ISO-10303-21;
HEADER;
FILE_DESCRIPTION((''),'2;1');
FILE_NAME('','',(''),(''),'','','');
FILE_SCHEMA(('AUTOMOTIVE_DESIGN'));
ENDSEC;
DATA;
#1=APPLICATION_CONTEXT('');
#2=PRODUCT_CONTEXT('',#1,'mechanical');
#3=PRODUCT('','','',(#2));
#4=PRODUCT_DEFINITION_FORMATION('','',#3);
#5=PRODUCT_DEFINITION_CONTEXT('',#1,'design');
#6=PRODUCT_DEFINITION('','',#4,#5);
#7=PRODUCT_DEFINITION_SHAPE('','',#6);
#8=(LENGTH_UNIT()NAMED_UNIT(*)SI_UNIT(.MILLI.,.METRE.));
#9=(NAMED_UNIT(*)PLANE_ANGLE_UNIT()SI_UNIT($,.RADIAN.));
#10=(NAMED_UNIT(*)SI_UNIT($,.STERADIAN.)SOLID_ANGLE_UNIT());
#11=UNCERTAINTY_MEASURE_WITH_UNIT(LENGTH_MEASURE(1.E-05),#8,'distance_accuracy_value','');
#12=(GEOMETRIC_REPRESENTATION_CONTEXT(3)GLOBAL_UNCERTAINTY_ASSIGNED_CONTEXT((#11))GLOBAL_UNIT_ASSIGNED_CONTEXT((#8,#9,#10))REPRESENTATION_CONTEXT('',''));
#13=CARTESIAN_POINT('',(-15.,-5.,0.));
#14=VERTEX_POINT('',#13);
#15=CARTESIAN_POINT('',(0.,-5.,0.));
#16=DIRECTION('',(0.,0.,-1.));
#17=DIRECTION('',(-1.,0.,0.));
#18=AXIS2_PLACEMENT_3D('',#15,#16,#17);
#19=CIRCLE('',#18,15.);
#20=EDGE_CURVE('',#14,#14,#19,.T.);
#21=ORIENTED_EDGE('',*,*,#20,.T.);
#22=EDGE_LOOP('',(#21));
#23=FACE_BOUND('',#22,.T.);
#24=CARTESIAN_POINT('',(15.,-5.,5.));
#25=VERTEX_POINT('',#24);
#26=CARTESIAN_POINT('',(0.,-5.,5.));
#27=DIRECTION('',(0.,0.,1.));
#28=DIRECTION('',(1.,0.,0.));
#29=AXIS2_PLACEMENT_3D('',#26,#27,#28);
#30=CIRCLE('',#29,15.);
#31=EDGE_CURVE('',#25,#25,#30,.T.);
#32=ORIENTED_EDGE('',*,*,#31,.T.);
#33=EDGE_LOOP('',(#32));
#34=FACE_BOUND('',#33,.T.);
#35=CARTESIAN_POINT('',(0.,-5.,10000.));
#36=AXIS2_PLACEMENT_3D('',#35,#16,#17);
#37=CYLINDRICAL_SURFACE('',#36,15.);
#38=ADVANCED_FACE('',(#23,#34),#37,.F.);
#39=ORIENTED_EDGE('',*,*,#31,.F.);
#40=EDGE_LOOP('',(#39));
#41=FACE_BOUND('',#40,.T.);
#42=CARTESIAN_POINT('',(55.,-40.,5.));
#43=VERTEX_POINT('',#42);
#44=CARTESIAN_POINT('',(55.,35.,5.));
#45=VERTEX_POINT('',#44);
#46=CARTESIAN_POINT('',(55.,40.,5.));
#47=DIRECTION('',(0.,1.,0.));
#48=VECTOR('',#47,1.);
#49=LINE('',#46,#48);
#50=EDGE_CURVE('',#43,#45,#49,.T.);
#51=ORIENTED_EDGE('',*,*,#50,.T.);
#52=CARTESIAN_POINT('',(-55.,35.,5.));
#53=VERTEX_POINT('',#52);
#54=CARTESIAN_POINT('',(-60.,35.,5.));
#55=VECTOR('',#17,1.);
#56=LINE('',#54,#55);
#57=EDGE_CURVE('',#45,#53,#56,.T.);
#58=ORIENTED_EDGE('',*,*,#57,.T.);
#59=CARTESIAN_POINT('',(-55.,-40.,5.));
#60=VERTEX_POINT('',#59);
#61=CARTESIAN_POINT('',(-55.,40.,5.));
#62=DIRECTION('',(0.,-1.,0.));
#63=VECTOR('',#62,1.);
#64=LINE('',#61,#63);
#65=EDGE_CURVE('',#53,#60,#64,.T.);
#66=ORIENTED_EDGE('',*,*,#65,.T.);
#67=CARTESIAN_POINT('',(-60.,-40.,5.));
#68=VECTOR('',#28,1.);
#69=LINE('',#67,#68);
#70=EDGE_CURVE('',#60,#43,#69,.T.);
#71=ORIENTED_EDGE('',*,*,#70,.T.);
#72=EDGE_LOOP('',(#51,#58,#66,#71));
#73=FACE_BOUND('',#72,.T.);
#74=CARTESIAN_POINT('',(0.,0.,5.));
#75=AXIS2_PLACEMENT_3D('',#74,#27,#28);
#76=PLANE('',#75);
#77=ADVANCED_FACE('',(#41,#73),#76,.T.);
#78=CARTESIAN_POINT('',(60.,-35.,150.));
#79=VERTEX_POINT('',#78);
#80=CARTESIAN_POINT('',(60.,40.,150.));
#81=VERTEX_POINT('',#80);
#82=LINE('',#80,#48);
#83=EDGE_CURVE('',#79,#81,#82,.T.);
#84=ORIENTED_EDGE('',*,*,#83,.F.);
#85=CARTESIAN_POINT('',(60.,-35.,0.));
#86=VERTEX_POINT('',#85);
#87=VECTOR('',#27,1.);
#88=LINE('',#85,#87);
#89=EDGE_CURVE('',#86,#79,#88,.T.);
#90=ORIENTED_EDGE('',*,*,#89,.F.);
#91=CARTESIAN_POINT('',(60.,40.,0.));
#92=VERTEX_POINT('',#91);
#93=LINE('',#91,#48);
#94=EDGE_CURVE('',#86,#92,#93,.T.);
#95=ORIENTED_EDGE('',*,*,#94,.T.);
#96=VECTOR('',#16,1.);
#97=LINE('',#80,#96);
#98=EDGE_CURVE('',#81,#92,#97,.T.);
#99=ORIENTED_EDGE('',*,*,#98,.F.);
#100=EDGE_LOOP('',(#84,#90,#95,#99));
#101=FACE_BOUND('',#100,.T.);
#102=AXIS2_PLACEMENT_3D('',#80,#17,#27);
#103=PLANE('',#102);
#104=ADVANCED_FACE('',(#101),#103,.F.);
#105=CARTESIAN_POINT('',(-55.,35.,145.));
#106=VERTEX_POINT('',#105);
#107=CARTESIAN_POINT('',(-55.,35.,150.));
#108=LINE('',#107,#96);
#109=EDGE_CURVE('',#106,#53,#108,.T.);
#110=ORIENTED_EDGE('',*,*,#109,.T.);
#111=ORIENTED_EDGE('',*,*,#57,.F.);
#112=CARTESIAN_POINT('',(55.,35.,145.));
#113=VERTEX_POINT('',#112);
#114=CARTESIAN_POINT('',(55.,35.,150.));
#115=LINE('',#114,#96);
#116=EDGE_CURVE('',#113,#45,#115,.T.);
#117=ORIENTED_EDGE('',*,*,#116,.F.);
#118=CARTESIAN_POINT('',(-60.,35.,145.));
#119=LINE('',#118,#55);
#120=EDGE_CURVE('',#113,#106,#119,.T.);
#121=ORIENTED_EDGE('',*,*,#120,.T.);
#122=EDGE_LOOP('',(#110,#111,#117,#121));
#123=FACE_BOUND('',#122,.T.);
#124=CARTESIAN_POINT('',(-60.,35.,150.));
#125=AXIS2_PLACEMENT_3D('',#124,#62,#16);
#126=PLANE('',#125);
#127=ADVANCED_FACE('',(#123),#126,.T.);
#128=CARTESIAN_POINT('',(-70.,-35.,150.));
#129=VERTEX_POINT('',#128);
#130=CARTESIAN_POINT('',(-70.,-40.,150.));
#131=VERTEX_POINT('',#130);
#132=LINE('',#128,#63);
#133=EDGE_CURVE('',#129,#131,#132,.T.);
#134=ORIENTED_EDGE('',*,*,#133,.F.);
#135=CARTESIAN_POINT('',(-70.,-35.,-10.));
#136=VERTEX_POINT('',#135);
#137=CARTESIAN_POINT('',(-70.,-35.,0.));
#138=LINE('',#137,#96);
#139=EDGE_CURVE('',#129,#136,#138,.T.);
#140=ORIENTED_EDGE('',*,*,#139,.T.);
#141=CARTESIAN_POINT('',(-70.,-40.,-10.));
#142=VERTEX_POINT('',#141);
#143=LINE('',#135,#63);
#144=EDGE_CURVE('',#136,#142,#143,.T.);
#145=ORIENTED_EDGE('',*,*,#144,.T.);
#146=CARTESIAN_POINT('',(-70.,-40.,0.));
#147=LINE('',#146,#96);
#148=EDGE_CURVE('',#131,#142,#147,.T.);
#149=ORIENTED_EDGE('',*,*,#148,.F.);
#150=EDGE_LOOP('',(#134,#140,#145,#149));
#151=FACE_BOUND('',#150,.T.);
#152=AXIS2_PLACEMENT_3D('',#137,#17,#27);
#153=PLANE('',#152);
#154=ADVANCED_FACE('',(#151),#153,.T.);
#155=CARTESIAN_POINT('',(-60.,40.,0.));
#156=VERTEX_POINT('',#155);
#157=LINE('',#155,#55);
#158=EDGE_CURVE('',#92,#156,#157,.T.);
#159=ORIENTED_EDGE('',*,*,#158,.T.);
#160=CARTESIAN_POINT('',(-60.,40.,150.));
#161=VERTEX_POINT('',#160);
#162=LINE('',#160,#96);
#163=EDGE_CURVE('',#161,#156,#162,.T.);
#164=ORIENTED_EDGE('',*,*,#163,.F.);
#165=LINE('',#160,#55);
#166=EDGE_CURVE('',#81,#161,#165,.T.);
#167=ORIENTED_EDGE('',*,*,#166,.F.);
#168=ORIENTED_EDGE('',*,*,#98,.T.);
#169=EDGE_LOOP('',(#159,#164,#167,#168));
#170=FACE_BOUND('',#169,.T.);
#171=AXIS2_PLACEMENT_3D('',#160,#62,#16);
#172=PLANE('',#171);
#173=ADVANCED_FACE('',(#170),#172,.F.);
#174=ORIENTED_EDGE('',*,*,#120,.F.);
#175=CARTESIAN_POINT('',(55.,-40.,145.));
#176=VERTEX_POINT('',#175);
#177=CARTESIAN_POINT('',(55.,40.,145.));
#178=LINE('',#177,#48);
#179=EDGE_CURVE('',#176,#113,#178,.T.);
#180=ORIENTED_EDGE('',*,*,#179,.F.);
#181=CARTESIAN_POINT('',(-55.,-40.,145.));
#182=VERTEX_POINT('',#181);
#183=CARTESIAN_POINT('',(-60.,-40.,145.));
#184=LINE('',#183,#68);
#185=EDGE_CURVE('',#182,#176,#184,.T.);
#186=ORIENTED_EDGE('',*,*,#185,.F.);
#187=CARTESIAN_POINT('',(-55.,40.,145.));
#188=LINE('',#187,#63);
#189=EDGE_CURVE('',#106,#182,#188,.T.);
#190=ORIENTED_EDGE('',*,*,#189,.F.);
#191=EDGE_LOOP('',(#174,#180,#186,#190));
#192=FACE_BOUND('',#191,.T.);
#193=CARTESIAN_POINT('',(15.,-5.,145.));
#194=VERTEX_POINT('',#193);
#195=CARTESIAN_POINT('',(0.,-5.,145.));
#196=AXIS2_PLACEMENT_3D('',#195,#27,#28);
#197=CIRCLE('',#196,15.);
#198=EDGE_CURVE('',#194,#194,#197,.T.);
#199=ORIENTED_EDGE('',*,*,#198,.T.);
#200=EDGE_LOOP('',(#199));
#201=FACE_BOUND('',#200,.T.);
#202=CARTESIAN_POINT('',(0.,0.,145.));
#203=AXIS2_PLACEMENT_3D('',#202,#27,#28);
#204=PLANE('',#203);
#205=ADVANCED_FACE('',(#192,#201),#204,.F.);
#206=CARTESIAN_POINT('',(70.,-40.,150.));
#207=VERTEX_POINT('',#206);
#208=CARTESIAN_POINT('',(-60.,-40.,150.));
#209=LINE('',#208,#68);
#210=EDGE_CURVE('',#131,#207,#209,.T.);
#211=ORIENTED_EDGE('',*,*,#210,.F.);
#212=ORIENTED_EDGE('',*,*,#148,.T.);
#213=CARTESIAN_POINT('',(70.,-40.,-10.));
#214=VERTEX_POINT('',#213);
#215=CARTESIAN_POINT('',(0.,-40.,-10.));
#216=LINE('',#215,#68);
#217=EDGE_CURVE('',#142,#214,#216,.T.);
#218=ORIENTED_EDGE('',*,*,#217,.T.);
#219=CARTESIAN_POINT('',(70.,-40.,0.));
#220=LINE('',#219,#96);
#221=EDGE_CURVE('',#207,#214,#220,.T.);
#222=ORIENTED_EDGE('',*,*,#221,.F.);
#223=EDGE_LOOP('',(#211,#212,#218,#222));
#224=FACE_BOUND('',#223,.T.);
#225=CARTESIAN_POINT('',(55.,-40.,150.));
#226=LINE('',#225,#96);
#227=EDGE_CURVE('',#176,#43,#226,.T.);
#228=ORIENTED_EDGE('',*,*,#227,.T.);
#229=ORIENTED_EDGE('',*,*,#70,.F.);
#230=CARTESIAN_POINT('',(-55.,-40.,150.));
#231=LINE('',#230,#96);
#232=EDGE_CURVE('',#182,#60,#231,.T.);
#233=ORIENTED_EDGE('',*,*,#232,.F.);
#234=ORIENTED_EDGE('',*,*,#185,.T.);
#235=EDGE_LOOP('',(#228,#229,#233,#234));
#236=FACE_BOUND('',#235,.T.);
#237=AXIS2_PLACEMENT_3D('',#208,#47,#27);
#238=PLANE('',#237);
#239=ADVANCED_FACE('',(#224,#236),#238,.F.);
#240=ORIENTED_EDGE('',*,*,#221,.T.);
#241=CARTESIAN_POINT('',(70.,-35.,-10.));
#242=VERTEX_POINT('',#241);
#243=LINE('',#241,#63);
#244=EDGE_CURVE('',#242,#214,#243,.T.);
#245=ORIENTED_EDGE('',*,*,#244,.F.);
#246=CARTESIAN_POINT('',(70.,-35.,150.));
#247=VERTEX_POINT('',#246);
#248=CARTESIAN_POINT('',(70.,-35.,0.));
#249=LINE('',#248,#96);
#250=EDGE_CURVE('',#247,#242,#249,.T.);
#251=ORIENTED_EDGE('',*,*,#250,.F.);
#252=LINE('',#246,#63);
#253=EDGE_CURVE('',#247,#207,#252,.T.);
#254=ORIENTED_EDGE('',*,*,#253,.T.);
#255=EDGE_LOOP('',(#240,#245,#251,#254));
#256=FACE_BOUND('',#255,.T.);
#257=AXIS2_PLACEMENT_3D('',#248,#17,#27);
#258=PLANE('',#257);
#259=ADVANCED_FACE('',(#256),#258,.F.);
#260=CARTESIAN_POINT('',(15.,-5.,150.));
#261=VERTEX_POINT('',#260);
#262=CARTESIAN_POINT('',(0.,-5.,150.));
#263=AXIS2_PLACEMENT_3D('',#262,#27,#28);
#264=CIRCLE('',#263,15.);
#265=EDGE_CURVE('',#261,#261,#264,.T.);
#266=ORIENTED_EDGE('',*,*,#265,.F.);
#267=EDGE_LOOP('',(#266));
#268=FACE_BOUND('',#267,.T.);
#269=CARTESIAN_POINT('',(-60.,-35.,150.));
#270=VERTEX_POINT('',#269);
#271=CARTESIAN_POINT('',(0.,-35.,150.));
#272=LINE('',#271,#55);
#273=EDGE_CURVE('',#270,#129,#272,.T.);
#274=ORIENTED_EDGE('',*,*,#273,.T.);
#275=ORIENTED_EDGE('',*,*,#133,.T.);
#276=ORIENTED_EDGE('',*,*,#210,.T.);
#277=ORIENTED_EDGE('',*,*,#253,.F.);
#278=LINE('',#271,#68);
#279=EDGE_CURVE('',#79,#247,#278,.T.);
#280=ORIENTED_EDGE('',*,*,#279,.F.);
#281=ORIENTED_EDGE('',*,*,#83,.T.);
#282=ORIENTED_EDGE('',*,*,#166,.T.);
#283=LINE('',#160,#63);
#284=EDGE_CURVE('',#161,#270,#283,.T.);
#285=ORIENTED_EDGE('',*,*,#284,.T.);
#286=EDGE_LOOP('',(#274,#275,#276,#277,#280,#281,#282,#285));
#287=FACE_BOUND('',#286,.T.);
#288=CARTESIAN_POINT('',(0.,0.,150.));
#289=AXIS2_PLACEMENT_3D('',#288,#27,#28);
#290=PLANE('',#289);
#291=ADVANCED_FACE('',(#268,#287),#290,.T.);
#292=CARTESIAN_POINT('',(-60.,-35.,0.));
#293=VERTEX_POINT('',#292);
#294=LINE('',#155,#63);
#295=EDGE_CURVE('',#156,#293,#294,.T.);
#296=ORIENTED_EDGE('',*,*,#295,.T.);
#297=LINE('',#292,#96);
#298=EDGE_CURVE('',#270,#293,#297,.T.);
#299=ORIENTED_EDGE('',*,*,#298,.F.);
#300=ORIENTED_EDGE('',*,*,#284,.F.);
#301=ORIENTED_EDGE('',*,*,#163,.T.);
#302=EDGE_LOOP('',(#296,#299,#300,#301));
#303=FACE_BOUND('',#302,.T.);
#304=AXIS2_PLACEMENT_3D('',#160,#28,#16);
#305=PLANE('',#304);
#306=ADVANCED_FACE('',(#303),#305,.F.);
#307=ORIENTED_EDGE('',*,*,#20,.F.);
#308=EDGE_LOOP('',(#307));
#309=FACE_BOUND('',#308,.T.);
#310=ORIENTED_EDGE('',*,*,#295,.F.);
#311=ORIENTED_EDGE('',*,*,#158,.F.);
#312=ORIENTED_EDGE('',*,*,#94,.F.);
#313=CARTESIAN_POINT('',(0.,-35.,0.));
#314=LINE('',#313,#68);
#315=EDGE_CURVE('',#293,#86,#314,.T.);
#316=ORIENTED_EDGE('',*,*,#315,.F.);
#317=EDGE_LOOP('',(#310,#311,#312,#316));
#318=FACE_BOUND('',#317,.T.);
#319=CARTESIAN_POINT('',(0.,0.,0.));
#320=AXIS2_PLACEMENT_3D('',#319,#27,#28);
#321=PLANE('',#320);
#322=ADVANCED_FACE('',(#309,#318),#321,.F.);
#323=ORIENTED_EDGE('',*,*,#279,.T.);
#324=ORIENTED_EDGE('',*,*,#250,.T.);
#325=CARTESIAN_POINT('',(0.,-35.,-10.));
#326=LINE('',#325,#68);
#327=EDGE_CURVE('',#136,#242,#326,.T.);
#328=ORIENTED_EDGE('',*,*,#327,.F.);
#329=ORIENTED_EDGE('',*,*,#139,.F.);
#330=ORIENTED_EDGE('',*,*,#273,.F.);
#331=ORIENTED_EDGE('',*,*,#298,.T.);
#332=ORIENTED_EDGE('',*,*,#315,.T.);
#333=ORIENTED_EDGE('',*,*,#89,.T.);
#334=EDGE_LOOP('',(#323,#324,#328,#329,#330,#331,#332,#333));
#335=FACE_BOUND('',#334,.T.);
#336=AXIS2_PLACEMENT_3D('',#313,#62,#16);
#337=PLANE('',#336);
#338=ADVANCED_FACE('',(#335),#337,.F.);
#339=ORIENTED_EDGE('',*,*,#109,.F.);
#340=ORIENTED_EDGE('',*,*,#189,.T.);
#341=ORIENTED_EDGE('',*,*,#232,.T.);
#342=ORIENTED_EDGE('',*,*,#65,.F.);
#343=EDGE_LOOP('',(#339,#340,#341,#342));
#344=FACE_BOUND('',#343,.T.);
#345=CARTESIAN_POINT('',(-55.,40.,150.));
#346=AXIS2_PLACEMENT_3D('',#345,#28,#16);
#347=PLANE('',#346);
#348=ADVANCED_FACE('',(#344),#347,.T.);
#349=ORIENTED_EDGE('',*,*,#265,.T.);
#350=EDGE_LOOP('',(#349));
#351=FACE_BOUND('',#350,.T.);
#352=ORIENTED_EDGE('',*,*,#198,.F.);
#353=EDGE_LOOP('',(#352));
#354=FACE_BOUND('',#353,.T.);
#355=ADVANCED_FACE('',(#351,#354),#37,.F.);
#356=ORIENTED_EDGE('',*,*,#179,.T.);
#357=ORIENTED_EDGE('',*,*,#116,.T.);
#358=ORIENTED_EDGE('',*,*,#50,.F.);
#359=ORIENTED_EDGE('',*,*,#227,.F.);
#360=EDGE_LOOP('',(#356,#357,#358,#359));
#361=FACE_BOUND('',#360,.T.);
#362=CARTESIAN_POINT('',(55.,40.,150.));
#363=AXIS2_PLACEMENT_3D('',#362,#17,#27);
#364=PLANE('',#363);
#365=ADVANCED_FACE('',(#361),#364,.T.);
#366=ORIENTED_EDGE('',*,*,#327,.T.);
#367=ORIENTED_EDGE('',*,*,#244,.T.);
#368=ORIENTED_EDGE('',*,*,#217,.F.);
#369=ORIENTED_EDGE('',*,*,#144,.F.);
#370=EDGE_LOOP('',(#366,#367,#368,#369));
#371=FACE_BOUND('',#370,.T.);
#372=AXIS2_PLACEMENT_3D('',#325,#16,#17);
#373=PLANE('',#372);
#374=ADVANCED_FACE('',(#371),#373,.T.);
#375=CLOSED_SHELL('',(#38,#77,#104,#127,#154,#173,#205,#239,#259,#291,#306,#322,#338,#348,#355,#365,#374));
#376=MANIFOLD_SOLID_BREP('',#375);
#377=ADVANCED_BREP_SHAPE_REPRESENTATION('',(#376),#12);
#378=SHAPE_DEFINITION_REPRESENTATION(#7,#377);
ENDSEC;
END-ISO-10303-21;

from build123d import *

# Parameters (mm, degrees)
SKETCH_1_W          = 120
SKETCH_1_H          = 80
EXTRUDE_1_DEPTH     = 150
SHELL_1_T           = -5
EXTRUDE_2_DEPTH     = 5
SKETCH_3_R          = 15
CUT_EXTRUDE_1_DEPTH = 10000


with BuildPart() as part:
    # 草图1 → 凸台-拉伸1 (new body)
    with BuildSketch(Plane.XY):
        Rectangle(SKETCH_1_W, SKETCH_1_H)
    extrude(amount=EXTRUDE_1_DEPTH)

    # 抽壳1
    shell_1_openings = [part.faces().sort_by_distance(p)[0] for p in [
        (0, -40, 75),
    ]]
    offset(amount=SHELL_1_T, openings=shell_1_openings, kind=Kind.INTERSECTION)

    # 草图2 → 凸台-拉伸2 (add)
    with BuildSketch(Plane.XZ.offset(40)):
        Polygon((-60, 150), (-70, 150), (-70, -10), (70, -10), (70, 150), (60, 150), (60, 0), (-60, 0), align=None)
    extrude(amount=-EXTRUDE_2_DEPTH)

    # 草图3 → 切除-拉伸1 (cut)
    with BuildSketch(Plane(origin=(0, 0, 0), x_dir=(-1, 0, 0), z_dir=(0, 0, -1))):
        with Locations((0, -5)):
            Circle(SKETCH_3_R)
    extrude(amount=-CUT_EXTRUDE_1_DEPTH, mode=Mode.SUBTRACT)


solid = part.part
